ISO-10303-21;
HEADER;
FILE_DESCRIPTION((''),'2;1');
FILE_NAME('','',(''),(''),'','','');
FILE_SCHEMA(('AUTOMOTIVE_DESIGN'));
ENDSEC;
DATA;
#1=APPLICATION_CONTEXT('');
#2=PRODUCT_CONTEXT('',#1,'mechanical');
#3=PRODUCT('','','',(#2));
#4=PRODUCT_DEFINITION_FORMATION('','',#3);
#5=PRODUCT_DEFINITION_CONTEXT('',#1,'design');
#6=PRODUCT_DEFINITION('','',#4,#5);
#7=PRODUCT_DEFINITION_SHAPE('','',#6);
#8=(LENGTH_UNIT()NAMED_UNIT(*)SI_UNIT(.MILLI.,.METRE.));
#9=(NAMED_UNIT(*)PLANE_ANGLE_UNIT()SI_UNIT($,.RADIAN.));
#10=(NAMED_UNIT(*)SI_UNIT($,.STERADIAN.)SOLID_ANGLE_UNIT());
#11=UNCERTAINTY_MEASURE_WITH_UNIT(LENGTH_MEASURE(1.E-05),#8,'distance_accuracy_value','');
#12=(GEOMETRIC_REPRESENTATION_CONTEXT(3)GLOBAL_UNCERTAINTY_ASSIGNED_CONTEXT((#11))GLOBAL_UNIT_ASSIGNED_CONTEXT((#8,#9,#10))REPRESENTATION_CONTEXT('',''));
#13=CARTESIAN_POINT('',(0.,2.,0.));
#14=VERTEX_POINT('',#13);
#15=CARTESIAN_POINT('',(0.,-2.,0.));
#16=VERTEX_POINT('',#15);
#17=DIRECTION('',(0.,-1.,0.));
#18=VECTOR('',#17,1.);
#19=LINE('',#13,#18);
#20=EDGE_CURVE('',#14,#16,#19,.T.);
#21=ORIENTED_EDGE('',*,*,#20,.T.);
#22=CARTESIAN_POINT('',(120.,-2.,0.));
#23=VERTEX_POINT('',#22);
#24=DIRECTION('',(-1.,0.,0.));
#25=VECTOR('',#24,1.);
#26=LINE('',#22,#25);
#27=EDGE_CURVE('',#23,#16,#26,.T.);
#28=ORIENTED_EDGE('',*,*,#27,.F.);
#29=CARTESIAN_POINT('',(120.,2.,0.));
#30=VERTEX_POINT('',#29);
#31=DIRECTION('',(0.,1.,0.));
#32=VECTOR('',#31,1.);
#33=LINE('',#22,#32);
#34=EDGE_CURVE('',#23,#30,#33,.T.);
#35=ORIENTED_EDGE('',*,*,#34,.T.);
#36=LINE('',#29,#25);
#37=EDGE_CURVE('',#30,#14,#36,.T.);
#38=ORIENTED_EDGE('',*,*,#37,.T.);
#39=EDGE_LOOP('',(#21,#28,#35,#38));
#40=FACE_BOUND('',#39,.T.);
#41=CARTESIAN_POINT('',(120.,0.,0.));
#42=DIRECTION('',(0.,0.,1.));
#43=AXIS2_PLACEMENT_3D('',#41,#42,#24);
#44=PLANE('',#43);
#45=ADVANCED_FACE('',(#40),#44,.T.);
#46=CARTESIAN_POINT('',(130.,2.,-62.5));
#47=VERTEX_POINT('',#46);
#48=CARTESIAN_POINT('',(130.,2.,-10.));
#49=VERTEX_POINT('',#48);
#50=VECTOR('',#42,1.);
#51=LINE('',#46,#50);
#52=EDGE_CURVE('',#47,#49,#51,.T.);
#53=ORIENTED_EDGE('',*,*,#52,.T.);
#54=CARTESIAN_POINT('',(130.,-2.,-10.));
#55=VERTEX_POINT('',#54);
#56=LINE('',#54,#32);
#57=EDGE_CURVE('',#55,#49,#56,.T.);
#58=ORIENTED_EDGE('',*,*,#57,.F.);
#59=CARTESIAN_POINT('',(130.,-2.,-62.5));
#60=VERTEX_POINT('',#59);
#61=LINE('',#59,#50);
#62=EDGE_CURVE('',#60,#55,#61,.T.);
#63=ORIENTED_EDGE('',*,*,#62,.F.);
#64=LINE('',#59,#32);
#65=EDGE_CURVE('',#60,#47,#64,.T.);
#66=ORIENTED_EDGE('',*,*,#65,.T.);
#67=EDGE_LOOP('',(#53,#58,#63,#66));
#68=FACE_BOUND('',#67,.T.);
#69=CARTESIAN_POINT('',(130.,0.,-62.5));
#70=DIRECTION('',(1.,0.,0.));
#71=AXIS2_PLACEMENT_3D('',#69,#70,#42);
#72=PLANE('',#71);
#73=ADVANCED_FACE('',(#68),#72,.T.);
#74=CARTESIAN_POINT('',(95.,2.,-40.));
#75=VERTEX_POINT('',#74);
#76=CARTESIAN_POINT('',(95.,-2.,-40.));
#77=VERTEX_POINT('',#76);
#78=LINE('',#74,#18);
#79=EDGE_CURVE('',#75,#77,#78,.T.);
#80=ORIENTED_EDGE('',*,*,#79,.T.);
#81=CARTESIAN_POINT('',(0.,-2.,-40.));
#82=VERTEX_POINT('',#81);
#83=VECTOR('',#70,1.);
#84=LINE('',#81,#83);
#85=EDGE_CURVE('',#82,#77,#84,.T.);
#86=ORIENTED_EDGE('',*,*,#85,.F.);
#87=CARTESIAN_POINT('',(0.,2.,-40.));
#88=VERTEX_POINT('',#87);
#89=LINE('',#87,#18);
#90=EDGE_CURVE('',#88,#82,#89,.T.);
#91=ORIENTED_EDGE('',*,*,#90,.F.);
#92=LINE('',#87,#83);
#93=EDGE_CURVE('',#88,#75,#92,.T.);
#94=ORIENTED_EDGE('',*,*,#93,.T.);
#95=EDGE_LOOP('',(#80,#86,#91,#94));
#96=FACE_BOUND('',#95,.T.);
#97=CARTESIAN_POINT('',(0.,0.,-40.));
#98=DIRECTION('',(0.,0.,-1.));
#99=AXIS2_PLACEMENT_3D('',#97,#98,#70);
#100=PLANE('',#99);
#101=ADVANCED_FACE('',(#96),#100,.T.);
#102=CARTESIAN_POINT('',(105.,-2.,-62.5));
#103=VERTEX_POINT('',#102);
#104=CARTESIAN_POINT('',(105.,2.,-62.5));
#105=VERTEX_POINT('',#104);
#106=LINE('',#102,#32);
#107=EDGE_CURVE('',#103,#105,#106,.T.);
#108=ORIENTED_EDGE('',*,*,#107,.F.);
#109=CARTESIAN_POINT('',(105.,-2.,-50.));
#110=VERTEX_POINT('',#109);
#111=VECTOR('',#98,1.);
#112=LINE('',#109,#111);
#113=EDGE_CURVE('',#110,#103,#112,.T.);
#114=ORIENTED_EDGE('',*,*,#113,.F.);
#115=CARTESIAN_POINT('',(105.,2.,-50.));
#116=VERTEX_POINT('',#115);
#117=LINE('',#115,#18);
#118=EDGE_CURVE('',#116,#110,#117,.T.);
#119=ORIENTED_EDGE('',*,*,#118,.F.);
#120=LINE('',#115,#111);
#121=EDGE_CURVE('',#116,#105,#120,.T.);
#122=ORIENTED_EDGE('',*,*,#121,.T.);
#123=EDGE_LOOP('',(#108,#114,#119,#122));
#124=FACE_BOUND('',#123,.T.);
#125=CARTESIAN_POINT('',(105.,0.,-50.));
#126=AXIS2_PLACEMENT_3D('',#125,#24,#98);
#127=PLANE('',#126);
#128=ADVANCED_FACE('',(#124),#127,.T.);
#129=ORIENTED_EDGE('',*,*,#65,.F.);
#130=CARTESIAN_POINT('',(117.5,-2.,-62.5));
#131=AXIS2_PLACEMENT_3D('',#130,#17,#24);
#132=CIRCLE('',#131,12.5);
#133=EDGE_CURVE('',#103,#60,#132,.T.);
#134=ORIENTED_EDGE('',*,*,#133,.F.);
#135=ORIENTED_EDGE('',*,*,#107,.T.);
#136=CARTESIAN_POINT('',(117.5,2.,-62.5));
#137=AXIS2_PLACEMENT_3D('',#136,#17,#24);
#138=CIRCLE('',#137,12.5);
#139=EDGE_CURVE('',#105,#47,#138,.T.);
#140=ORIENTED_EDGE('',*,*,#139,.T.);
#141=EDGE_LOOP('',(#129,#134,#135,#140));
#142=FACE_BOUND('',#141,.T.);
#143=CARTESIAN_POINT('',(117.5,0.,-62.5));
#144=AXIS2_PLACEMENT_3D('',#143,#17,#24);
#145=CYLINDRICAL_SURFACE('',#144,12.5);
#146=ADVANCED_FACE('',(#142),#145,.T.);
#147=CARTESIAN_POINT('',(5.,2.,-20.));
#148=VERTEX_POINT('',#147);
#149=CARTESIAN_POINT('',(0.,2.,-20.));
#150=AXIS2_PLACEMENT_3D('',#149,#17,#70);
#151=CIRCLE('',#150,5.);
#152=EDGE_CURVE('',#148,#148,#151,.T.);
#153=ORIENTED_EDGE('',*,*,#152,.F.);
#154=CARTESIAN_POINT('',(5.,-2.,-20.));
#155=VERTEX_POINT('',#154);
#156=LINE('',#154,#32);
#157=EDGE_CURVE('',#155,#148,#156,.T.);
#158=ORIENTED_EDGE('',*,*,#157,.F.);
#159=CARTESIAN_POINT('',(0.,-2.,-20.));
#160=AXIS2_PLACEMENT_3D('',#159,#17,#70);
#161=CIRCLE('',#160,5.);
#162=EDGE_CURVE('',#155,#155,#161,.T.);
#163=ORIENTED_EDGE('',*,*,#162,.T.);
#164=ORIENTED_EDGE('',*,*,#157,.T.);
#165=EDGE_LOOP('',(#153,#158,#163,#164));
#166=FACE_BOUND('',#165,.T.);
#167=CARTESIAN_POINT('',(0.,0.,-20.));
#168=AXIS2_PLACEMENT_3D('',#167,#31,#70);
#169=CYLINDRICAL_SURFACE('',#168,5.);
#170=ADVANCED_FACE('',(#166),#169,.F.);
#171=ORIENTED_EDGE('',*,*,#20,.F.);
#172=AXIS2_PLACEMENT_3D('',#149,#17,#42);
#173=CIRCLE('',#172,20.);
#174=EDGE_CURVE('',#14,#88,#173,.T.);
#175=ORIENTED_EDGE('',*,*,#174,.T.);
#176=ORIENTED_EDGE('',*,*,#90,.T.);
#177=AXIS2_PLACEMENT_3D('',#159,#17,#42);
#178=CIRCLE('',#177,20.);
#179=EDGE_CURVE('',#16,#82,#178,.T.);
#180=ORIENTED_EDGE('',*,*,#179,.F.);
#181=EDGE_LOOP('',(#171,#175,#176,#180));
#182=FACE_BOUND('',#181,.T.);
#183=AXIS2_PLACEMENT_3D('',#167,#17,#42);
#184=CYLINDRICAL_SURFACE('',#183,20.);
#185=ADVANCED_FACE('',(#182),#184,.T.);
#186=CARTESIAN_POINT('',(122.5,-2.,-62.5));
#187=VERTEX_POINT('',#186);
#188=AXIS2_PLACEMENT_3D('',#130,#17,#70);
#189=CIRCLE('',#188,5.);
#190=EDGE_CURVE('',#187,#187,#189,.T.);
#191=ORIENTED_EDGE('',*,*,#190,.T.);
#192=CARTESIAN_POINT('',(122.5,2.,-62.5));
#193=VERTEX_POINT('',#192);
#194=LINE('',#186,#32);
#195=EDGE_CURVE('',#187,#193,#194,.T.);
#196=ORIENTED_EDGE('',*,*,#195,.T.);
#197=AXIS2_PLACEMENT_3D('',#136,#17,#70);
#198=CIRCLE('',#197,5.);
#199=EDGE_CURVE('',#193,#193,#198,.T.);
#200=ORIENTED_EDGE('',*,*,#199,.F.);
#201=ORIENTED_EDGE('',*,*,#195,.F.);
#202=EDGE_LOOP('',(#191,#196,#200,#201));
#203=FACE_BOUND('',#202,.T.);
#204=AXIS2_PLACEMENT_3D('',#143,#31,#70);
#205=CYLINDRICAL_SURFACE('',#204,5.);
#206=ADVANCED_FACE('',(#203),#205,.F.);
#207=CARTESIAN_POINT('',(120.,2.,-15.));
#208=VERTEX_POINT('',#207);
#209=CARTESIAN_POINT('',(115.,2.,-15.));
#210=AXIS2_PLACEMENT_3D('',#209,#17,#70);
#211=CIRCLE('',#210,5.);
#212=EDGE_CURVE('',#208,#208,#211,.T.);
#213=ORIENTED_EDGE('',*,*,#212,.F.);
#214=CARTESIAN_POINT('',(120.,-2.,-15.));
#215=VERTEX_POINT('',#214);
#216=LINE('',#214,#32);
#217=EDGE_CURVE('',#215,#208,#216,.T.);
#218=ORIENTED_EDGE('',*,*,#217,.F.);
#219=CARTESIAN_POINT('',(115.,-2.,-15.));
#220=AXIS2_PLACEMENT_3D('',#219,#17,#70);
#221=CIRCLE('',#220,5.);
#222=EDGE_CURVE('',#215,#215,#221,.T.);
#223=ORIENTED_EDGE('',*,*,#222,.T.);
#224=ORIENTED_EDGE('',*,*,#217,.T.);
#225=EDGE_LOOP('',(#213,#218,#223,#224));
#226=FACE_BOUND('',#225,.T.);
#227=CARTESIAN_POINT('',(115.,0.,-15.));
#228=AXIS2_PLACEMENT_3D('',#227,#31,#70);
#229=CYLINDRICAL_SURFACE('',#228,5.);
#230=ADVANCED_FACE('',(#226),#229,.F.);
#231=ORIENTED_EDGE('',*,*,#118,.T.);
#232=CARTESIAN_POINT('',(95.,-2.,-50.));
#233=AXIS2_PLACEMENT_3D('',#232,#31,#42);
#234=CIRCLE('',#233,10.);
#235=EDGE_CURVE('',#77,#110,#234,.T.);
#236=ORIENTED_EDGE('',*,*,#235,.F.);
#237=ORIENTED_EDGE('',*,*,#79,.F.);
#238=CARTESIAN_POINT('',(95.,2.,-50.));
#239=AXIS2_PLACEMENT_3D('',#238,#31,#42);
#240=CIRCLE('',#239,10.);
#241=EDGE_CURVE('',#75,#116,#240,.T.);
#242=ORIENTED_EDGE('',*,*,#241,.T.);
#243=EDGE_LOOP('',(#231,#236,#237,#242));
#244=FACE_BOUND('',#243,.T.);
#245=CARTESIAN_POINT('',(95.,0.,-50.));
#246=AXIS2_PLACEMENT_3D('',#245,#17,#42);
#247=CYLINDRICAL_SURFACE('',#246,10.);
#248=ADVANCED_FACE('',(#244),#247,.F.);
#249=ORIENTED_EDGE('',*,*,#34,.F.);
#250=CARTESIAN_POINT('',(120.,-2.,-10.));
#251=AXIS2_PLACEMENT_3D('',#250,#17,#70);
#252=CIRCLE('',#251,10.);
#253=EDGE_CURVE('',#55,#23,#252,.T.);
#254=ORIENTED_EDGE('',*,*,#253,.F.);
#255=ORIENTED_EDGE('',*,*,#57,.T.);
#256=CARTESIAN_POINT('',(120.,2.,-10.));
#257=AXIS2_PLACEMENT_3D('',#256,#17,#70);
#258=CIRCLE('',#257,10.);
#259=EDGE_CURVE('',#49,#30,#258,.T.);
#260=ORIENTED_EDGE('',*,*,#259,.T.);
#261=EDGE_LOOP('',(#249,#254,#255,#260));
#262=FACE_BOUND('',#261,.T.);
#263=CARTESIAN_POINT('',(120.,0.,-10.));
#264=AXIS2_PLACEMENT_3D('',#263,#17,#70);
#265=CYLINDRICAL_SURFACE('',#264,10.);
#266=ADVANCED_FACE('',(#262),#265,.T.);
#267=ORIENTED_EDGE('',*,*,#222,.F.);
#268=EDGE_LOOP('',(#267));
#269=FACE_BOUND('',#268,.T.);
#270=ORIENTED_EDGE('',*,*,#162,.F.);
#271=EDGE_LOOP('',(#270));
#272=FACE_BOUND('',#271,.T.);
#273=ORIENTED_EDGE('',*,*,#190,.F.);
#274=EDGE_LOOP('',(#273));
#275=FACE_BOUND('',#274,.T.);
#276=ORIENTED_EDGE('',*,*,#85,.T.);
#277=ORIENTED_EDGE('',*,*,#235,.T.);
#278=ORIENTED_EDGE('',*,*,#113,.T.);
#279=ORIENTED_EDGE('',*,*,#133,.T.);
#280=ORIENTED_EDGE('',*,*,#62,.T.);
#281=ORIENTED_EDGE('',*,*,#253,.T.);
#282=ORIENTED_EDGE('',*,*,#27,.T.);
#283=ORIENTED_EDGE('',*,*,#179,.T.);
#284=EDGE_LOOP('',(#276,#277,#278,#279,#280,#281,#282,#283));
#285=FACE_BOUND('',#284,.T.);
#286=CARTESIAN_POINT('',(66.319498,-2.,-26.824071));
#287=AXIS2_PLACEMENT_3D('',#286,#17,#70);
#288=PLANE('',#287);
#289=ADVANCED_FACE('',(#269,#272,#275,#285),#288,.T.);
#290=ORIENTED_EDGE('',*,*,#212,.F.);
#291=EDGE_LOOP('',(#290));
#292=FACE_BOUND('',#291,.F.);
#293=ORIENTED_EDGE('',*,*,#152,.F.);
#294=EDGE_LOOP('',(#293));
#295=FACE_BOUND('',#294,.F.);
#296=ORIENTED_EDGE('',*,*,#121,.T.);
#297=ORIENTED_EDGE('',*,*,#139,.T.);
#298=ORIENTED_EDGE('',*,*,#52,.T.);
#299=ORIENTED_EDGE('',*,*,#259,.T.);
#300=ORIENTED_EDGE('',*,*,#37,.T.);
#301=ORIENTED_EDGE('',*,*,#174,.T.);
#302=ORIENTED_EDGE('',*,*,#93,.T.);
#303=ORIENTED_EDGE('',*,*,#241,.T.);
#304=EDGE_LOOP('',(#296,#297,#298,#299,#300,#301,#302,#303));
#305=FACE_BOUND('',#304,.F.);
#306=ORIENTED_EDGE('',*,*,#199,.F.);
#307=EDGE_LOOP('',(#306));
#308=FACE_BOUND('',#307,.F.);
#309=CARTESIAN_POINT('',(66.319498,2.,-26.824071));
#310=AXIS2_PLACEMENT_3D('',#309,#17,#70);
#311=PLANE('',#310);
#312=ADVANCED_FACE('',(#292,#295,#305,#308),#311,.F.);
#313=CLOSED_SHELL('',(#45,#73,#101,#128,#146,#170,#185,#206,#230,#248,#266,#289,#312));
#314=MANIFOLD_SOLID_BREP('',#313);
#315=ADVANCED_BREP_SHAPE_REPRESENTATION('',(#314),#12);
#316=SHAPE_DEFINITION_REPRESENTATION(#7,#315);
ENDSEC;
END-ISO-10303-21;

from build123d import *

# Parameters (mm, degrees)
F0_R     = 5
F1_DEPTH = 2


with BuildPart() as f1:
    # F0 (on Front) → F1 (new body, symmetric)
    with BuildSketch(Plane.XZ):
        with BuildLine():
            Line((120, 0), (0, 0))
            ThreePointArc((0, 0), (-20, -20), (0, -40))
            Line((0, -40), (95, -40))
            ThreePointArc((95, -40), (102.0710678119, -42.9289321881), (105, -50))
            Line((105, -50), (105, -62.5))
            ThreePointArc((105, -62.5), (117.5, -75), (130, -62.5))
            Line((130, -62.5), (130, -10))
            ThreePointArc((130, -10), (127.0710678119, -2.9289321881), (120, 0))
        make_face()
        with Locations((117.5, -62.5)):
            Circle(F0_R, mode=Mode.SUBTRACT)
        with Locations((0, -20)):
            Circle(F0_R, mode=Mode.SUBTRACT)
        with Locations((115, -15)):
            Circle(F0_R, mode=Mode.SUBTRACT)
    extrude(amount=F1_DEPTH, both=True)


solid = f1.part
